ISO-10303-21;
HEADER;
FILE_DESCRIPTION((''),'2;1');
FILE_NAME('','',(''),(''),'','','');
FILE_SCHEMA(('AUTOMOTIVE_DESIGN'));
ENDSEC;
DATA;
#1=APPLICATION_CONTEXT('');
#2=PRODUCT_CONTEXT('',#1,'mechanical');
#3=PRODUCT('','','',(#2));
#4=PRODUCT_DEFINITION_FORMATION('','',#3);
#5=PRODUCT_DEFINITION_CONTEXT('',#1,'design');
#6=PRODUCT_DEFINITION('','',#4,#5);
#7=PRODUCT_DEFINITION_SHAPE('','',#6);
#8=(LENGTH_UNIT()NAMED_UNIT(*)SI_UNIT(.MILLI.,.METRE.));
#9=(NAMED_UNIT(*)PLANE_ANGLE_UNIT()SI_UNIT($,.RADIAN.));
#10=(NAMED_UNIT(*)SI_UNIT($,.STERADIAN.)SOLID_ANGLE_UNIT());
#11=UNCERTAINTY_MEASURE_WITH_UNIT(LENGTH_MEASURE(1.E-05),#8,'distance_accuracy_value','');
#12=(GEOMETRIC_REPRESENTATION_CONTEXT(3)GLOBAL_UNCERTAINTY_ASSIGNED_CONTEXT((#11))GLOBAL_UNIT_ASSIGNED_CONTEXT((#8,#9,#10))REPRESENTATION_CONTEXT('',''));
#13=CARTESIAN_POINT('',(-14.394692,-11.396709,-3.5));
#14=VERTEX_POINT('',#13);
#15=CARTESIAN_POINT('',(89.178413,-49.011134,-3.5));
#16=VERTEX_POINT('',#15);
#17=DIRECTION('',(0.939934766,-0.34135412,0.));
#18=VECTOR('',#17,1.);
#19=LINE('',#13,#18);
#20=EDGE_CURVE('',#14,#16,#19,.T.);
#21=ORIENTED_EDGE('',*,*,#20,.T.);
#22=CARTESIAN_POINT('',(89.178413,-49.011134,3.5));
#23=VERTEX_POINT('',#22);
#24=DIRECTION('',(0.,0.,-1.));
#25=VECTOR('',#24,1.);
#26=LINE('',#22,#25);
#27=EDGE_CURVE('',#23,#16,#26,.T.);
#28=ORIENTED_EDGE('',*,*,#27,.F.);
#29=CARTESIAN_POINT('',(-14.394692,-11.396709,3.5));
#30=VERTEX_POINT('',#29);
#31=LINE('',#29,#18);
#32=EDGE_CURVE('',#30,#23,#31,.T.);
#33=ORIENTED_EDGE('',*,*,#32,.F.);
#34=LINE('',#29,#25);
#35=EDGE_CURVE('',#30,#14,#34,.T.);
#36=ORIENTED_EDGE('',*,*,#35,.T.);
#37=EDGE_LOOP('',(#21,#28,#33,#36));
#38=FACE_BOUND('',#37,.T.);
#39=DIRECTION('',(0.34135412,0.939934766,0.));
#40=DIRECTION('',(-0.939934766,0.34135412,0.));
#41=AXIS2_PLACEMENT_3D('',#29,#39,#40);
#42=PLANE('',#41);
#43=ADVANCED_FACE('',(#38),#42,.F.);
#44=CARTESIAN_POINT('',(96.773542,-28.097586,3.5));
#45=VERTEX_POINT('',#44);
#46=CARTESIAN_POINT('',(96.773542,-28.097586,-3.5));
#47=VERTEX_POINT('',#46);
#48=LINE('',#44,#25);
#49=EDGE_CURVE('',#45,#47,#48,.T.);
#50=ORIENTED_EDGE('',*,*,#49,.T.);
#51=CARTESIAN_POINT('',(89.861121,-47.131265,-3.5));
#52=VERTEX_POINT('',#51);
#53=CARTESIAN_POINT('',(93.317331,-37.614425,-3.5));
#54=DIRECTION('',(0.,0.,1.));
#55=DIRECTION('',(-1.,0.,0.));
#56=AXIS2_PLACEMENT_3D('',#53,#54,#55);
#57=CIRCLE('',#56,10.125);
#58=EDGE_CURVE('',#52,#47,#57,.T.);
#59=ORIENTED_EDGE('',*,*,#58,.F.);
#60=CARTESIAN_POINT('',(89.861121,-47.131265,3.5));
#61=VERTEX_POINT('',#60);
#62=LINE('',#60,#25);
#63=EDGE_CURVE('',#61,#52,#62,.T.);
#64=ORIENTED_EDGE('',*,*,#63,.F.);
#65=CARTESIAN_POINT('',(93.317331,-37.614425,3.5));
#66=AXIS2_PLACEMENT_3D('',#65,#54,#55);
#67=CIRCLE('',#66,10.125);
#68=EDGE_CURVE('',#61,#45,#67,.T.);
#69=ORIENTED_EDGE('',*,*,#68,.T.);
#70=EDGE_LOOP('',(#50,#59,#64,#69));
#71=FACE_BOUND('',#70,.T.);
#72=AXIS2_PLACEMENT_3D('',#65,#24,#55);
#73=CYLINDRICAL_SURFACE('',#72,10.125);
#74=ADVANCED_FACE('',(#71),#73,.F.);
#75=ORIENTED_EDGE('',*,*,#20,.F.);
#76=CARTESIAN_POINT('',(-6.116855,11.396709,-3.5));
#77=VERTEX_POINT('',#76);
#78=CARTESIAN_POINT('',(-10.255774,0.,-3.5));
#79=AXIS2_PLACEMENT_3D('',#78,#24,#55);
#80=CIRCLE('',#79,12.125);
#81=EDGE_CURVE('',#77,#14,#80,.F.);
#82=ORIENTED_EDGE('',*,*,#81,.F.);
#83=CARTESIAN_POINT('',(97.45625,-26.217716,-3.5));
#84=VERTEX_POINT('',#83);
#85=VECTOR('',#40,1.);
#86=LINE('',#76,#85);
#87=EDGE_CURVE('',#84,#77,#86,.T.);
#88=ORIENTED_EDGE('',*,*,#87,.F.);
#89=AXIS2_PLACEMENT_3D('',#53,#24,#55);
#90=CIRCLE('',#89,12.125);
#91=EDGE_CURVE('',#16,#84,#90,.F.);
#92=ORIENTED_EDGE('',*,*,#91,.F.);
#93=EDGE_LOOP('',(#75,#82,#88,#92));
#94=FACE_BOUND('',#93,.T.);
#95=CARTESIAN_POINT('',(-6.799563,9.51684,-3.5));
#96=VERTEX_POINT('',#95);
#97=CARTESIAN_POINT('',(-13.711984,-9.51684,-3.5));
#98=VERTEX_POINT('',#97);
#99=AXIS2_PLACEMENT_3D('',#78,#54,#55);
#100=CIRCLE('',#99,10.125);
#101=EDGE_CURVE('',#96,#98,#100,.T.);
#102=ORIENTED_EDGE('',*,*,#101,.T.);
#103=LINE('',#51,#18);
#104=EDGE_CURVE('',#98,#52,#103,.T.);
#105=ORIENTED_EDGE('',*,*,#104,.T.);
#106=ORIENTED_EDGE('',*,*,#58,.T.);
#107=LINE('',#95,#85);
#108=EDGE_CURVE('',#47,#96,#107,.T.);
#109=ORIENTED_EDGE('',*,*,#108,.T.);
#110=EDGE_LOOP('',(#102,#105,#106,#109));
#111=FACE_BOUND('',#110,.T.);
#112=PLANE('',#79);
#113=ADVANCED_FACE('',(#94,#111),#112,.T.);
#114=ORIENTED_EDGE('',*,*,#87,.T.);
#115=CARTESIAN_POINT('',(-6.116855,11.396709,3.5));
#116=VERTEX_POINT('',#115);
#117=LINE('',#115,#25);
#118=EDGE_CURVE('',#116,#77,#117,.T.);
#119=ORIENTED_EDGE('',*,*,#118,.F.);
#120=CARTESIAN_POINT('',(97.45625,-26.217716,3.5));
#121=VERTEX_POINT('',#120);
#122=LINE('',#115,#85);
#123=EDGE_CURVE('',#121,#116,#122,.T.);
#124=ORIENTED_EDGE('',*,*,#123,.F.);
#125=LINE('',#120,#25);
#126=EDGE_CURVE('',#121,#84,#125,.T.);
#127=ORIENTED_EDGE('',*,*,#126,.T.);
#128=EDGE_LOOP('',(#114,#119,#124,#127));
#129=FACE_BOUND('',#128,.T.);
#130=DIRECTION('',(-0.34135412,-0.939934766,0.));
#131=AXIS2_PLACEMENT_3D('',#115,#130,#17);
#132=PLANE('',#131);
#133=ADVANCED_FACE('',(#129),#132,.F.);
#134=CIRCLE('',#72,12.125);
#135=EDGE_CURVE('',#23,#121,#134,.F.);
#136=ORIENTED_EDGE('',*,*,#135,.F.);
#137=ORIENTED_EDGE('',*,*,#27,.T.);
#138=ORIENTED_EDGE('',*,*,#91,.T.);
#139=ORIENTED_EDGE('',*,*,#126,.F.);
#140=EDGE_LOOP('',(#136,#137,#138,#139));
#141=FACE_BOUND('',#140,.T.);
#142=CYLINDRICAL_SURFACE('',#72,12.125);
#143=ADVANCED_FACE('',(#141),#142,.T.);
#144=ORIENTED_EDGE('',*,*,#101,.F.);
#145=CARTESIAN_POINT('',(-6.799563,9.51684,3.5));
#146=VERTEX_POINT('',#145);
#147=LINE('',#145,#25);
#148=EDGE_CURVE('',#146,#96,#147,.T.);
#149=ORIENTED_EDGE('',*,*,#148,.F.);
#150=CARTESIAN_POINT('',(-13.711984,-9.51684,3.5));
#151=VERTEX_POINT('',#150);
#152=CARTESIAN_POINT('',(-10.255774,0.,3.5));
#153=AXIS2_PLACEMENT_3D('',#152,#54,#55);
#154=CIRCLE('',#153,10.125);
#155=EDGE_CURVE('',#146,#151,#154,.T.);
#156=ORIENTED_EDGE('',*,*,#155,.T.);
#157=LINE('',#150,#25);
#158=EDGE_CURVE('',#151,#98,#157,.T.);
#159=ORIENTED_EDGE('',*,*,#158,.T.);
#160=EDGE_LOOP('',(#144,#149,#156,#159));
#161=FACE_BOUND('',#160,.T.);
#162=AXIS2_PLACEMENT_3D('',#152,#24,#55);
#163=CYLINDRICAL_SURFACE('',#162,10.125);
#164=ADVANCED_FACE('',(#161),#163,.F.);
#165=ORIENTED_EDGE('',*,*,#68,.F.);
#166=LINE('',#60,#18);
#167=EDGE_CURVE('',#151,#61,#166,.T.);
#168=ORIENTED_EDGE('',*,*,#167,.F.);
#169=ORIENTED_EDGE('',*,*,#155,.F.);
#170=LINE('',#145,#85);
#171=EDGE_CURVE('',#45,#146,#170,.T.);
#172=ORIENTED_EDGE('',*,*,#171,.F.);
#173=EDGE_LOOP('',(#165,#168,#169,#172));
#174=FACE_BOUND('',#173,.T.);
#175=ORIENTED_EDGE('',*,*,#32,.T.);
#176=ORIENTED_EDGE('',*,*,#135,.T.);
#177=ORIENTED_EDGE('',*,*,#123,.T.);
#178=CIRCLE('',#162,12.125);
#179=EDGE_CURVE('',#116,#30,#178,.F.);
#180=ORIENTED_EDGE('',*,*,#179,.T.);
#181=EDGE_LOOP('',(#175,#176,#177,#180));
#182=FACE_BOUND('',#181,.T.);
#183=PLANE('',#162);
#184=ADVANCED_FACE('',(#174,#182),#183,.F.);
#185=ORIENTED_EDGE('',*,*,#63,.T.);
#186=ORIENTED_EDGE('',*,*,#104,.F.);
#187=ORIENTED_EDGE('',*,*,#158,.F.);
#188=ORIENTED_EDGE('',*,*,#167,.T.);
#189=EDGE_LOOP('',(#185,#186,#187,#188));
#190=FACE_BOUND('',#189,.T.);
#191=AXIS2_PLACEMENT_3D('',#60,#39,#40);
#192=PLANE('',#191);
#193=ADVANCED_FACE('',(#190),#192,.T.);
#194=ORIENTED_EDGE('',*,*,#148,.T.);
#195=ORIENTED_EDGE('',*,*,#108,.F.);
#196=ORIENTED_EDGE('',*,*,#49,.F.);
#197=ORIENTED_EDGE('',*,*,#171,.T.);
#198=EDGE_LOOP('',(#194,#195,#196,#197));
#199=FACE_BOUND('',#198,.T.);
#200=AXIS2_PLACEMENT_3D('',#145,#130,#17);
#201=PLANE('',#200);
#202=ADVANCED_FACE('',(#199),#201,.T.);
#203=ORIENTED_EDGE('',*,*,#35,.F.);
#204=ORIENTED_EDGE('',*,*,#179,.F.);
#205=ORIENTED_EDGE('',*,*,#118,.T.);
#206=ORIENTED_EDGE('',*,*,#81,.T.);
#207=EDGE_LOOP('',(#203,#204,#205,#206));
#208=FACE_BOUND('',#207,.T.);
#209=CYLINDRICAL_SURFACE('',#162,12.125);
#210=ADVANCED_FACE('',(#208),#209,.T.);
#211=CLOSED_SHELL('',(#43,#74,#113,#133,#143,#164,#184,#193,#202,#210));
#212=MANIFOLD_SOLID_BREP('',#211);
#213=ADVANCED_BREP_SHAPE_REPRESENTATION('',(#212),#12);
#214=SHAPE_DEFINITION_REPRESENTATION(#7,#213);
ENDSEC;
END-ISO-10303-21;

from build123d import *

# Parameters (mm, degrees)
EXTRUDE_1_DEPTH = 3.5


with BuildPart() as part:
    # 草图2 → 拉伸-薄壁1 (new, symmetric)
    with BuildSketch(Plane.XY):
        with BuildLine():
            Line((89.178412636, -49.011134366), (-14.39469241, -11.396709043))
            ThreePointArc((-14.39469241, -11.396709043), (-21.652482754, 4.138918699), (-6.116855012, 11.396709043))
            Line((-6.116855012, 11.396709043), (97.456250035, -26.217716281))
            ThreePointArc((97.456250035, -26.217716281), (104.714040378, -41.753344023), (89.178412636, -49.011134366))
        make_face()
        with BuildLine():
            Line((89.861120875, -47.131264834), (-13.711984171, -9.51683951))
            ThreePointArc((-13.711984171, -9.51683951), (-19.772613221, 3.45621046), (-6.799563251, 9.51683951))
            Line((-6.799563251, 9.51683951), (96.773541796, -28.097585814))
            ThreePointArc((96.773541796, -28.097585814), (102.834170845, -41.070635784), (89.861120875, -47.131264834))
        make_face(mode=Mode.SUBTRACT)
    extrude(amount=EXTRUDE_1_DEPTH, both=True)


solid = part.part
